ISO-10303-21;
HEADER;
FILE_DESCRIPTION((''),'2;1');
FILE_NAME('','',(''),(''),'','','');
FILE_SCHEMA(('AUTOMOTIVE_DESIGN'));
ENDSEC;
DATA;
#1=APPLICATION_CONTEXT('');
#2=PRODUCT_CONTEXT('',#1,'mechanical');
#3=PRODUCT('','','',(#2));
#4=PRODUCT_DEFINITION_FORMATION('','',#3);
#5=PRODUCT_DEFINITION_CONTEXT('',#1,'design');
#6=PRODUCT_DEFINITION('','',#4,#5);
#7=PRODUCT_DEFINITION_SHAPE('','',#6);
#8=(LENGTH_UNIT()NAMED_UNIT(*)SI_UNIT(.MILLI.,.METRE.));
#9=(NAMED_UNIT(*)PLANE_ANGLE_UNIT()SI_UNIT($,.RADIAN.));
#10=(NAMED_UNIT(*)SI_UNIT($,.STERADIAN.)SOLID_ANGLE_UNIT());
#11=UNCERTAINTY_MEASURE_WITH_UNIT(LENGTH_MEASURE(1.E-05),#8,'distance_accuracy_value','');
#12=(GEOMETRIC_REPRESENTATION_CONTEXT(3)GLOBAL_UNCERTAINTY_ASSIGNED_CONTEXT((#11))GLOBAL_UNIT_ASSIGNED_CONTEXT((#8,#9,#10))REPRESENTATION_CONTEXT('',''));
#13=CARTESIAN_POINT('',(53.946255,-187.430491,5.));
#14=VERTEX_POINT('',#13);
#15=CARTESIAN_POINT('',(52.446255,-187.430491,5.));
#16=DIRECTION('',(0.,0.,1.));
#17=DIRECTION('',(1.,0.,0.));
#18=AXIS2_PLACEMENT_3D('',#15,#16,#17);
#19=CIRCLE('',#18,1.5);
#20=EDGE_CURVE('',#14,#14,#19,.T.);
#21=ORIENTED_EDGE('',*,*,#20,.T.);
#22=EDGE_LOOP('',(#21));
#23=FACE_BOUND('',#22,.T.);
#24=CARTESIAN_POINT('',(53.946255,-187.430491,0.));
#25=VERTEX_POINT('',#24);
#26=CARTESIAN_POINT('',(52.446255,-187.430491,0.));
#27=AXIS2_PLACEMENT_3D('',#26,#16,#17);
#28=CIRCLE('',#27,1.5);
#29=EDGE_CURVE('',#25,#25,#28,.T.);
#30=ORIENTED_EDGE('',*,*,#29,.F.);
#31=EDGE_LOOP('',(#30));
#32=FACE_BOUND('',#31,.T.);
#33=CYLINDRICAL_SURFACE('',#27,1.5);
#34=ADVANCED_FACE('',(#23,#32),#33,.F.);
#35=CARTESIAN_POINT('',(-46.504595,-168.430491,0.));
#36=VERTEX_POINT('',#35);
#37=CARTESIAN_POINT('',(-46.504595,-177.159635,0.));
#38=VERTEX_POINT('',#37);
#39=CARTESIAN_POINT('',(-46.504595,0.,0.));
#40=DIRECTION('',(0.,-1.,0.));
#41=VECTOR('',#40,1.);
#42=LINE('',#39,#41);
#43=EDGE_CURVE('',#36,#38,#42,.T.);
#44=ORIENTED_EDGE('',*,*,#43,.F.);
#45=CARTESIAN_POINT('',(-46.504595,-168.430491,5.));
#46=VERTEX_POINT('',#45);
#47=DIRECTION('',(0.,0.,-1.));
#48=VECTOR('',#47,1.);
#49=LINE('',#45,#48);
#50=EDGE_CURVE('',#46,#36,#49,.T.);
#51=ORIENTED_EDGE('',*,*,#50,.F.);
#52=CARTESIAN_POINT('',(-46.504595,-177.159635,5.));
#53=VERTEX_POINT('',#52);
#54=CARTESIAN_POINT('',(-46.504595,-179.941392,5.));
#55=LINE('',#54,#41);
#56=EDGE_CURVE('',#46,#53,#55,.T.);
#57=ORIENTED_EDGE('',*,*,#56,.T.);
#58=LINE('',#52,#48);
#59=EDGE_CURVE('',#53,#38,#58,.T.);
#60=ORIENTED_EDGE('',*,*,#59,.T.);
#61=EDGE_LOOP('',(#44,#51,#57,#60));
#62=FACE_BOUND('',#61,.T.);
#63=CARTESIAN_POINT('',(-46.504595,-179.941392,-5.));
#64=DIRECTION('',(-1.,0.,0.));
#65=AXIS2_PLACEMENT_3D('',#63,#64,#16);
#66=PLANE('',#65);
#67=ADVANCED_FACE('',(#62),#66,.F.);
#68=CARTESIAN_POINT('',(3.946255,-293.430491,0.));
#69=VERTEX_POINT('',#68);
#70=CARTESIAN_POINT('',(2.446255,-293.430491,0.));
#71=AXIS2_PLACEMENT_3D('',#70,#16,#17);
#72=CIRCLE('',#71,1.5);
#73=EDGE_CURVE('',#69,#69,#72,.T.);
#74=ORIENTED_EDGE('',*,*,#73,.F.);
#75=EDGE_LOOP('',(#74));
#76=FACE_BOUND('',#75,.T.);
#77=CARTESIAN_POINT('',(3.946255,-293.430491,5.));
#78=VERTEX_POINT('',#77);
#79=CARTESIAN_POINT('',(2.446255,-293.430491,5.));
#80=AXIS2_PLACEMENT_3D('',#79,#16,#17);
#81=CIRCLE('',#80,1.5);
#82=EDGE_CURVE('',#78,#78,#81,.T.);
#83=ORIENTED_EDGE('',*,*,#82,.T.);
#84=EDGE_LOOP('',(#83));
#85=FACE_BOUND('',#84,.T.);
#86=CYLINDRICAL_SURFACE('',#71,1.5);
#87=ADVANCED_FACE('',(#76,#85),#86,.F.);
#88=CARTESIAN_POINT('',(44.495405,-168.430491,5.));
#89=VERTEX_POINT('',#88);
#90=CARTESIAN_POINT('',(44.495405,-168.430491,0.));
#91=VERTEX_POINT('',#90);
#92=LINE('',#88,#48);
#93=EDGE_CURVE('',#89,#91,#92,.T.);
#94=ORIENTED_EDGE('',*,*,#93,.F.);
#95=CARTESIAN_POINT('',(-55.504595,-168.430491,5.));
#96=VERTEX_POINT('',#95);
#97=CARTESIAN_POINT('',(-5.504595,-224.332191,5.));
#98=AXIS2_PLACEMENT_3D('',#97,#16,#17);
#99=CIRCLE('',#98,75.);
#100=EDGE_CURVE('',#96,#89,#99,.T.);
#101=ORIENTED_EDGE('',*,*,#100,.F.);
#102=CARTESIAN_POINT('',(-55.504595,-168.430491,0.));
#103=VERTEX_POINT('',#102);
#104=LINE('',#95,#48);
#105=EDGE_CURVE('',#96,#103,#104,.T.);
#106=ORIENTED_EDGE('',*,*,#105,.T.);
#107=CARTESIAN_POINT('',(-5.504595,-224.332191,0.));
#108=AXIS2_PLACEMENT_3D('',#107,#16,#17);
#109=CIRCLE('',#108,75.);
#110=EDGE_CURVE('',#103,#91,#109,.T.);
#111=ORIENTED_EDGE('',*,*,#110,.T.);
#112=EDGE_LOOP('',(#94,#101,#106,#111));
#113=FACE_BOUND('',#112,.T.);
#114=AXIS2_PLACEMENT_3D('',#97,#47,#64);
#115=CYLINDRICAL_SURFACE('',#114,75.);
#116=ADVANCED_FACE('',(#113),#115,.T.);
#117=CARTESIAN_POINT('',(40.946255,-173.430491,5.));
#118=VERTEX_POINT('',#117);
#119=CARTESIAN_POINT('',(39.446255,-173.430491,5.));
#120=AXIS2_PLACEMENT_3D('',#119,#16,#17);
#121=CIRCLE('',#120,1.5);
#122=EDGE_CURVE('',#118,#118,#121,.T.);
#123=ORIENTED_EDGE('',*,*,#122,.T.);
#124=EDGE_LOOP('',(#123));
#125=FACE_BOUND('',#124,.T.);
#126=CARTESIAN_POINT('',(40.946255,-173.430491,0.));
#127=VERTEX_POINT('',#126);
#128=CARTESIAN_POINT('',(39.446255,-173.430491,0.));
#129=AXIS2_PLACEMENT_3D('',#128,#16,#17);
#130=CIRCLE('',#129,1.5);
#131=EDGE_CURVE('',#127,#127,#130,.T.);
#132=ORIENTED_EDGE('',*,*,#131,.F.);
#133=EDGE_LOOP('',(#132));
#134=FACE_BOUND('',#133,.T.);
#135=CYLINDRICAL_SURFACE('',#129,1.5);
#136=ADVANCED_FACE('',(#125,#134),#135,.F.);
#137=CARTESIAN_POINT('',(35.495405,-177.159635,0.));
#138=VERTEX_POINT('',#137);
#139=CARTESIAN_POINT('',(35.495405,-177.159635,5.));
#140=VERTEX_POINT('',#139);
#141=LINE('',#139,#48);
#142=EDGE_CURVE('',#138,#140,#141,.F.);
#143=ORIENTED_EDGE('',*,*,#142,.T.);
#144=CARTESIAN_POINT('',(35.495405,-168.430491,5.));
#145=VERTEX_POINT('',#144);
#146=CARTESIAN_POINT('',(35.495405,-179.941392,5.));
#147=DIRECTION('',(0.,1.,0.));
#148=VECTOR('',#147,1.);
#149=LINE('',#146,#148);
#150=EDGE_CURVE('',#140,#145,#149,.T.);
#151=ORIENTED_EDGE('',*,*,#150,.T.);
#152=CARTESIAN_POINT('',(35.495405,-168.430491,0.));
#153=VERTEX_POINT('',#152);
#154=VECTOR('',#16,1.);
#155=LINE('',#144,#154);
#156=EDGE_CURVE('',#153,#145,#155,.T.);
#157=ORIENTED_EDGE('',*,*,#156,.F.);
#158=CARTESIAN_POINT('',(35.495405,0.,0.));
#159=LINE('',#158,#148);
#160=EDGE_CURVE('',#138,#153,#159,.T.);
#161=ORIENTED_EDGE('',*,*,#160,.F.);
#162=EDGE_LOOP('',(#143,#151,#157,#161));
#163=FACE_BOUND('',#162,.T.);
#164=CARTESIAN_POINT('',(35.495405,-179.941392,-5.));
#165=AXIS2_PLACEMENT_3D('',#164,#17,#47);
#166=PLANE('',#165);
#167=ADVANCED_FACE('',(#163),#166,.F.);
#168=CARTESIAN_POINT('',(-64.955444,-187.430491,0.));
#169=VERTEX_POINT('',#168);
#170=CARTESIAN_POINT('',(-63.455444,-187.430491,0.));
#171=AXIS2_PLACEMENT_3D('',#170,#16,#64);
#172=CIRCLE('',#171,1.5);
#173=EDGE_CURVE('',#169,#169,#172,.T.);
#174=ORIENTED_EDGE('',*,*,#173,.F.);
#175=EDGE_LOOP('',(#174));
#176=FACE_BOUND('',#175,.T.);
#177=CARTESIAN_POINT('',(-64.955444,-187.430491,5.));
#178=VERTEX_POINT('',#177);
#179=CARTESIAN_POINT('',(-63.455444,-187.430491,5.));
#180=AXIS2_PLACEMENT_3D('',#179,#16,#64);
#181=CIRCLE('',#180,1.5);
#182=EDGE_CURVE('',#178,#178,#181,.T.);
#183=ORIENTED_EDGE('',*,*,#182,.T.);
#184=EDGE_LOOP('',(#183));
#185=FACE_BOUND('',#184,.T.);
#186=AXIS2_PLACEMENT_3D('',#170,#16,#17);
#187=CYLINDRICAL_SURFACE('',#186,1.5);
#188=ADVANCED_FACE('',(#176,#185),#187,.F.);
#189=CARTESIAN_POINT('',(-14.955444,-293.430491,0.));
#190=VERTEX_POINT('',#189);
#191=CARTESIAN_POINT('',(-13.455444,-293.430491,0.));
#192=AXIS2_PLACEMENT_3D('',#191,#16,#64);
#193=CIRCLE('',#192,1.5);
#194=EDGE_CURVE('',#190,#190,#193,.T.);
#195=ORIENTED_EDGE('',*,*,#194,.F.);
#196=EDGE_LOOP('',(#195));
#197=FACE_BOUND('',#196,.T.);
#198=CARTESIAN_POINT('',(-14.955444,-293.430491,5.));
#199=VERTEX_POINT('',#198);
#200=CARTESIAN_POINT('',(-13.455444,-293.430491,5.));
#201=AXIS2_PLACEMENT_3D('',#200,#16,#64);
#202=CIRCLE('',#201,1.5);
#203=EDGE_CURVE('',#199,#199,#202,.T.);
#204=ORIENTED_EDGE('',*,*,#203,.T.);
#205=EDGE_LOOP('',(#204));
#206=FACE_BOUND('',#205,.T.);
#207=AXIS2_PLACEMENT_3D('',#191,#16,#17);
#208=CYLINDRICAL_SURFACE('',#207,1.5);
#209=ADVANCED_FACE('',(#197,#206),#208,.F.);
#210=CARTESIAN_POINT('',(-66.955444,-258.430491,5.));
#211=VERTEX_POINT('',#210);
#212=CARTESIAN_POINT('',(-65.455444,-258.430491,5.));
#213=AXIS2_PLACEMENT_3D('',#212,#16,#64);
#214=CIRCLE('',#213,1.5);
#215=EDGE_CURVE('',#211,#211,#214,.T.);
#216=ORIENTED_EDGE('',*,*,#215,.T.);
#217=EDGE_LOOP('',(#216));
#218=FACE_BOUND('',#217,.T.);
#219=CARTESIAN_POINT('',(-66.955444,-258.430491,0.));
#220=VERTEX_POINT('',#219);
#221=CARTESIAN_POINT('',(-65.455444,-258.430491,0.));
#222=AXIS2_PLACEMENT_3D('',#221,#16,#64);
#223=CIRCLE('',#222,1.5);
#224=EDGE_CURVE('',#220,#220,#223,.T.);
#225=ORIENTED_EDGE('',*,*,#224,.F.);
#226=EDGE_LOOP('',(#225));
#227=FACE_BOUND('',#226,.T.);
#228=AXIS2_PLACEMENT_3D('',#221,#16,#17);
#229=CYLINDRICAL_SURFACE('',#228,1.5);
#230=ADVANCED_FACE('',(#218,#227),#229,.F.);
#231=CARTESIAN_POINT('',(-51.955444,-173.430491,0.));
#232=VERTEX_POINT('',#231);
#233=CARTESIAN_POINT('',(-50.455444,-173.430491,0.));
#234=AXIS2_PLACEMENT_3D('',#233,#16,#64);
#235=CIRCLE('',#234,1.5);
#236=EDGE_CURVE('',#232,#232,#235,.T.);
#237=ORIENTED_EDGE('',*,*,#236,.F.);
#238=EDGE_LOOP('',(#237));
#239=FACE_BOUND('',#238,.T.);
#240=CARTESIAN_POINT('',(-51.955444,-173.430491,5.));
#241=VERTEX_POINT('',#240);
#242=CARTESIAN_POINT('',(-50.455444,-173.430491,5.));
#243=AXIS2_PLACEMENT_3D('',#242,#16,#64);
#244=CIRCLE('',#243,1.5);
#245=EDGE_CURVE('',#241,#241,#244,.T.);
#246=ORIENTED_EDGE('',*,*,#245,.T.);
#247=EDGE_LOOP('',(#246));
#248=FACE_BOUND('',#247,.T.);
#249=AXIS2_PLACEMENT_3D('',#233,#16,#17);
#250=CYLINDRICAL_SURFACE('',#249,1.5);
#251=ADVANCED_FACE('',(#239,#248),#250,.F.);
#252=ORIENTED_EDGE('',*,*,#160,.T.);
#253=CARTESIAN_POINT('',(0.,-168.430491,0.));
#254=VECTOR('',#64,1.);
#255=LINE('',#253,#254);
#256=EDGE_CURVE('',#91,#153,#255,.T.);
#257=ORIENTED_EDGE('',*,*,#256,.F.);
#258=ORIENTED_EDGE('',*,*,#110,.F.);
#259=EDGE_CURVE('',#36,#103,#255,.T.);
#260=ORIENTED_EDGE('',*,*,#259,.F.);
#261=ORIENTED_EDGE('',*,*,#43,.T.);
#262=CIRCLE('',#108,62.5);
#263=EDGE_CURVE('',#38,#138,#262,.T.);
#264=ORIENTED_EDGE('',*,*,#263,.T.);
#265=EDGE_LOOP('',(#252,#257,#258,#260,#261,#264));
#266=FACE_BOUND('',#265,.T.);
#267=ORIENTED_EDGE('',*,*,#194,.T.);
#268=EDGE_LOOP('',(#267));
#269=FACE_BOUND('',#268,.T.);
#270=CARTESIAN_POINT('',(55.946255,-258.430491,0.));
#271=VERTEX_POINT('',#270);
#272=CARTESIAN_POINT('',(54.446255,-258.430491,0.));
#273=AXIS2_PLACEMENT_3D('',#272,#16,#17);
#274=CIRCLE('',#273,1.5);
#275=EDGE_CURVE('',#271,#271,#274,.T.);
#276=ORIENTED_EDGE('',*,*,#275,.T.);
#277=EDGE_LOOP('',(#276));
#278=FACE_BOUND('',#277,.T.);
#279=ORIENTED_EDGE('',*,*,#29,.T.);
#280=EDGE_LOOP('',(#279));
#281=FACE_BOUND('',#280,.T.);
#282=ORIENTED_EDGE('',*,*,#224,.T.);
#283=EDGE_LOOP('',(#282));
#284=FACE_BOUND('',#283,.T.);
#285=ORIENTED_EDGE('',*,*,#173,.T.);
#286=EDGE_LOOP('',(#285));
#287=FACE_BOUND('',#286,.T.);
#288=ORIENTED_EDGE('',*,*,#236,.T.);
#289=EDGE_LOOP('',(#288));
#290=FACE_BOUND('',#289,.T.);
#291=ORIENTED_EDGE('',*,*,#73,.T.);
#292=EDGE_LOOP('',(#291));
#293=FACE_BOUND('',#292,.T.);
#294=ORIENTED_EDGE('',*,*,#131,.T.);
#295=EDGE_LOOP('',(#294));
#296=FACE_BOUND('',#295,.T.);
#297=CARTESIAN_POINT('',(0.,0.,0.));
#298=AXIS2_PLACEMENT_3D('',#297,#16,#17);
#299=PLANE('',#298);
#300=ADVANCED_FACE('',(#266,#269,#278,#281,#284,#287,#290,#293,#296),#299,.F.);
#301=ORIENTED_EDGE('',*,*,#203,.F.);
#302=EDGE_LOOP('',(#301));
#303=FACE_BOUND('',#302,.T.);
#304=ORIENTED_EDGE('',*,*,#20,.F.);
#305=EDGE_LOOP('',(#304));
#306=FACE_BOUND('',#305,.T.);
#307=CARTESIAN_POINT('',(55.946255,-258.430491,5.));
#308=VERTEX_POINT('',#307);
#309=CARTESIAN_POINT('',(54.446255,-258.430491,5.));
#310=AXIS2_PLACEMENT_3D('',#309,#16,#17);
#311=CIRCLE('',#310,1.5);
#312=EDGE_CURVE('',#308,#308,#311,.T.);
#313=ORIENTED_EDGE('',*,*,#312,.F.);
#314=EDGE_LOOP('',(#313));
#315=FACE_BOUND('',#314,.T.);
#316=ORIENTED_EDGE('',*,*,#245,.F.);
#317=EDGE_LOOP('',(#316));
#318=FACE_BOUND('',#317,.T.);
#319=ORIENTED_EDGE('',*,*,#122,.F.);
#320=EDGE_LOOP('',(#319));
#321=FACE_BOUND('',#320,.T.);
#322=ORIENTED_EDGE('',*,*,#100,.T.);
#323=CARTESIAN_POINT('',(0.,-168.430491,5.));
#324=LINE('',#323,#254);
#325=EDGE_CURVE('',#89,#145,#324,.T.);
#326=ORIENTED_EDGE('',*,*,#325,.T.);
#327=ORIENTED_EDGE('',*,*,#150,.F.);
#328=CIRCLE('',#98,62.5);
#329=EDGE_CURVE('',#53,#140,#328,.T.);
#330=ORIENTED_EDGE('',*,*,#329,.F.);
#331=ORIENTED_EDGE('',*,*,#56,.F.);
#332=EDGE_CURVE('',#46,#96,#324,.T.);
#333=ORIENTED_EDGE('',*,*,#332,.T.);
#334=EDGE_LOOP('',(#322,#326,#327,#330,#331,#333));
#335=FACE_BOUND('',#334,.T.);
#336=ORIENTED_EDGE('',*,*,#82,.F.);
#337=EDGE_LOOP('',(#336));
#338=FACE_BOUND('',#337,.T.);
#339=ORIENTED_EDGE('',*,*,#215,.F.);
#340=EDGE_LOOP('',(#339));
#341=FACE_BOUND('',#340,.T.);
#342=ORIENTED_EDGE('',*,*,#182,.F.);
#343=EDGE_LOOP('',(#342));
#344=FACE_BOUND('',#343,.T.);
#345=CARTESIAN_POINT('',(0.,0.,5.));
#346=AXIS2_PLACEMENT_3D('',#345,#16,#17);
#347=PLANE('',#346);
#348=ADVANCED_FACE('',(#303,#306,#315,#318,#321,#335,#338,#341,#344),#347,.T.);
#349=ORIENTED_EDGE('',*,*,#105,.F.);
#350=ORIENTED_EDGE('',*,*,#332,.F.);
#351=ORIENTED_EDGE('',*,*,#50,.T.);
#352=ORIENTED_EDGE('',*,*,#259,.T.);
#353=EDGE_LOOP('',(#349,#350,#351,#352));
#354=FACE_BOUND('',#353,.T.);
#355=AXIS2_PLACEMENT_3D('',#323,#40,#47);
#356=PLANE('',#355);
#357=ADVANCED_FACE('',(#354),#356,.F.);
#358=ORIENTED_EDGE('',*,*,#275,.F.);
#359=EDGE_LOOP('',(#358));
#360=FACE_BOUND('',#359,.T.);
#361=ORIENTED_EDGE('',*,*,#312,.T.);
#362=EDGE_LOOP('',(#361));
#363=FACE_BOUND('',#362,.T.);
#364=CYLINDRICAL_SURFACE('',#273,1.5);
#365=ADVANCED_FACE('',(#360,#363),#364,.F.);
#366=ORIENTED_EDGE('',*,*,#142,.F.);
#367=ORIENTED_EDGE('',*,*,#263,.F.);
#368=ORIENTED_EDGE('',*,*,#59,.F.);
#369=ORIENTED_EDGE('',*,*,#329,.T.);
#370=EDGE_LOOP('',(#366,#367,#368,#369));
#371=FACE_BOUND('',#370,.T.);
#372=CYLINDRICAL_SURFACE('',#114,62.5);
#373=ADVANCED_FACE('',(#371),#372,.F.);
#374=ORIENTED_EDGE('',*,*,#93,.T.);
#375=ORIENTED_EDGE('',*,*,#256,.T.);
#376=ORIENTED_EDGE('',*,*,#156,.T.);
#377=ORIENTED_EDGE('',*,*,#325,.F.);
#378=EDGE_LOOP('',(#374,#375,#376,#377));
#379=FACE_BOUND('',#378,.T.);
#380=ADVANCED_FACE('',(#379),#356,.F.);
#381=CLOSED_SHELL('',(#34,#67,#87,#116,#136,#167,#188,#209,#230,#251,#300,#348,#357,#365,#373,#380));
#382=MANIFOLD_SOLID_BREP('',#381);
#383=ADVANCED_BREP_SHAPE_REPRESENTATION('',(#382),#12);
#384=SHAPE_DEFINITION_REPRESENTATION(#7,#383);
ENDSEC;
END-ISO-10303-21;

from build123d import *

# Parameters (mm, degrees)
RESSALTO_EXTRUS_O1_DEPTH = 5
ESBO_O2_R                = 1.5
CORTE_EXTRUS_O1_DEPTH    = 311.009274327
ESBO_O3_W                = 82
ESBO_O3_H                = 18.792940288
CORTE_EXTRUS_O2_DEPTH    = 10


with BuildPart() as part:
    # Esboço1 → Ressalto-extrusão1 (new body)
    with BuildSketch(Plane.XY):
        with BuildLine():
            Line((44.495405461, -168.430491325), (22.44625518, -168.430491325))
            ThreePointArc((22.44625518, -168.430491325), (-5.504594539, -286.832190763), (-33.455444258, -168.430491325))
            Line((-33.455444258, -168.430491325), (-55.504594539, -168.430491325))
            ThreePointArc((-55.504594539, -168.430491325), (-5.504594539, -299.332190763), (44.495405461, -168.430491325))
        make_face()
    extrude(amount=RESSALTO_EXTRUS_O1_DEPTH)

    # Esboço2 → Corte-extrusão1 (cut, through all)
    with BuildSketch(Plane.XY.offset(5)):
        with Locations((39.44625518, -173.430491325)):
            Circle(ESBO_O2_R)
        with Locations((52.44625518, -187.430491325)):
            Circle(ESBO_O2_R)
        with Locations((54.44625518, -258.430491325)):
            Circle(ESBO_O2_R)
        with Locations(Location((-13.455444258, -293.430491325, 0), (0, 0, 180))):
            Circle(ESBO_O2_R)
        with Locations((2.44625518, -293.430491325)):
            Circle(ESBO_O2_R)
        with Locations(Location((-65.455444258, -258.430491325, 0), (0, 0, 180))):
            Circle(ESBO_O2_R)
        with Locations(Location((-63.455444258, -187.430491325, 0), (0, 0, 180))):
            Circle(ESBO_O2_R)
        with Locations(Location((-50.455444258, -173.430491325, 0), (0, 0, 180))):
            Circle(ESBO_O2_R)
    extrude(amount=-CORTE_EXTRUS_O1_DEPTH, mode=Mode.SUBTRACT)

    # Esboço3 → Corte-extrusão2 (cut)
    with BuildSketch(Plane.XY.offset(5)):
        with Locations((-5.504594539, -170.544921833)):
            Rectangle(ESBO_O3_W, ESBO_O3_H)
    extrude(amount=-CORTE_EXTRUS_O2_DEPTH, mode=Mode.SUBTRACT)


solid = part.part
